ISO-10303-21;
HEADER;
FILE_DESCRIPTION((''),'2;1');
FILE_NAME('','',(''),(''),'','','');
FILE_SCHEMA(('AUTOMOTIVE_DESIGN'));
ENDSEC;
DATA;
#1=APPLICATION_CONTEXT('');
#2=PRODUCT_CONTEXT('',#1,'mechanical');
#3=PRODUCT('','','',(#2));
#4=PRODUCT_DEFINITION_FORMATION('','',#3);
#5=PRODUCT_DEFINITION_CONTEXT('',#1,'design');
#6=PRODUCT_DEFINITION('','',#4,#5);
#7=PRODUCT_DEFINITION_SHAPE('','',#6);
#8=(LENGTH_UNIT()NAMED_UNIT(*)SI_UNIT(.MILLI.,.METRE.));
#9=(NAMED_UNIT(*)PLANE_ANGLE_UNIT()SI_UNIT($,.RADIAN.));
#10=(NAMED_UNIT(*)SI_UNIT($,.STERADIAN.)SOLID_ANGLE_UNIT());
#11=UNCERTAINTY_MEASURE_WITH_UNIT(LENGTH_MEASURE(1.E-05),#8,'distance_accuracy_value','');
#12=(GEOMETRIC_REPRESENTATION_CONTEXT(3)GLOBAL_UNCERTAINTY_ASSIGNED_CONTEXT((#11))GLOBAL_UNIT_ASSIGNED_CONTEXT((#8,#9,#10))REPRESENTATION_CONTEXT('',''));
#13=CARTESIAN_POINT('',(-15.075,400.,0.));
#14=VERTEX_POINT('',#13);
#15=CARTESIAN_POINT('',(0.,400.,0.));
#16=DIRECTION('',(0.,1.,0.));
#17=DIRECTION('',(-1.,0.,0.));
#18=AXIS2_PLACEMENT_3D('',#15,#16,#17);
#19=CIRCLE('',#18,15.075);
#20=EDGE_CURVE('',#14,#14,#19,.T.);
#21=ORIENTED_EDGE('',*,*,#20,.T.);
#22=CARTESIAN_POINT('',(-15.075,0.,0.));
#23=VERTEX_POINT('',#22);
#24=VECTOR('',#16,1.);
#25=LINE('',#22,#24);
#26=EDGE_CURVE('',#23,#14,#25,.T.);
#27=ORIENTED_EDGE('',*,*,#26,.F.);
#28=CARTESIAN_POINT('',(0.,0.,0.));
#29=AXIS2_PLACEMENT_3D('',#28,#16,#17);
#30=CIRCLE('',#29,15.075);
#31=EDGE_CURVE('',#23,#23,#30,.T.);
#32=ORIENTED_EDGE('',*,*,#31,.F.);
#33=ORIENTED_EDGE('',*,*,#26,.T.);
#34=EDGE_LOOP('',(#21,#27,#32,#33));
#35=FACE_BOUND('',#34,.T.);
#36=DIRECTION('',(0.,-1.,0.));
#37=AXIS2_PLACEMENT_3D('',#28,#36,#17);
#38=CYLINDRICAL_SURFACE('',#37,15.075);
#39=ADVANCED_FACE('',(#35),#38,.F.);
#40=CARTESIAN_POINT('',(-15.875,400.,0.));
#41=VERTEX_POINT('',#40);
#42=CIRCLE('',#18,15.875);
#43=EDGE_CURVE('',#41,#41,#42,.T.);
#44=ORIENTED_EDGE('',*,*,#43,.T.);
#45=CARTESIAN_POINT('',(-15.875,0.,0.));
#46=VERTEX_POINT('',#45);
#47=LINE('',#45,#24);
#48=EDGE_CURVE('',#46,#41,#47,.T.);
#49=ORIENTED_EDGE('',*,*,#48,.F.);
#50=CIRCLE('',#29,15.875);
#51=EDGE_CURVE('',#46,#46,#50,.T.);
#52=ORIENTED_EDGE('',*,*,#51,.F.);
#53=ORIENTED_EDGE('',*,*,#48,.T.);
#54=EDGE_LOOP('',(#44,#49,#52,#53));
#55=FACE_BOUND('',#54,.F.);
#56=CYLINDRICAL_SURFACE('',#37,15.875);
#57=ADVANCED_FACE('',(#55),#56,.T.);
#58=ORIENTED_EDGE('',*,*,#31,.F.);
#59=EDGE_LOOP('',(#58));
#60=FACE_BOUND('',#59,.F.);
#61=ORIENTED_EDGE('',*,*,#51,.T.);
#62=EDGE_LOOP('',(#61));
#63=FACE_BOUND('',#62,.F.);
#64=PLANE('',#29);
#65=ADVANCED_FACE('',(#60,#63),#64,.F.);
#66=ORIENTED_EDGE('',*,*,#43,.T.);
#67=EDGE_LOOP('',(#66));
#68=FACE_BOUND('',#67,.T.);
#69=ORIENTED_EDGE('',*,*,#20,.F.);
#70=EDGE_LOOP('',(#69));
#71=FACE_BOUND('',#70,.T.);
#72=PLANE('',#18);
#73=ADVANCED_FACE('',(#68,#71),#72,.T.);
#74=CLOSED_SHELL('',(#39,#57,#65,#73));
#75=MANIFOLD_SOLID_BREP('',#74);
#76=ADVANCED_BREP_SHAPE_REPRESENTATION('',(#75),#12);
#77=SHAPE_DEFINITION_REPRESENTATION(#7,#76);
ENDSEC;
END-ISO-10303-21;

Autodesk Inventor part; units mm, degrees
ref_plane "YZ Plane" through (0, 0, 0) normal (1, 0, 0) x (0, 1, 0)
ref_plane "XZ Plane" through (0, 0, 0) normal (0, 1, 0) x (-1, 0, 0)
ref_plane "XY Plane" through (0, 0, 0) normal (0, 0, 1) x (1, 0, 0)
sketch "Sketch1" plane through (0, 0, 0) normal (0, 1, 0) x (-1, 0, 0)
  circle A0 centre (0, 0) radius 15.875
  circle A1 centre (0, 0) radius 15.075
  dimension "d0" = 31.75
  dimension "d1" = 30.15
extrude "Extrusion1" add sketch "Sketch1" along normal blind 400
equation "\"BendRadius\" = Thickness"
equation "\"BendReliefWidth\" = Thickness"
equation "\"BendReliefDepth\" = 0.5 * Thickness"
equation "\"CornerReliefSize\" = 4 * Thickness"
equation "\"MinimumRemnant\" = 2 * Thickness"
equation "\"TransitionRadius\" = BendRadius"
equation "\"JacobiRadiusSize\" = BendRadius"
equation "\"GapSize\" = Thickness"
equation "\"Thickness\" = 0.5"
properties part number "Bottom link body"
